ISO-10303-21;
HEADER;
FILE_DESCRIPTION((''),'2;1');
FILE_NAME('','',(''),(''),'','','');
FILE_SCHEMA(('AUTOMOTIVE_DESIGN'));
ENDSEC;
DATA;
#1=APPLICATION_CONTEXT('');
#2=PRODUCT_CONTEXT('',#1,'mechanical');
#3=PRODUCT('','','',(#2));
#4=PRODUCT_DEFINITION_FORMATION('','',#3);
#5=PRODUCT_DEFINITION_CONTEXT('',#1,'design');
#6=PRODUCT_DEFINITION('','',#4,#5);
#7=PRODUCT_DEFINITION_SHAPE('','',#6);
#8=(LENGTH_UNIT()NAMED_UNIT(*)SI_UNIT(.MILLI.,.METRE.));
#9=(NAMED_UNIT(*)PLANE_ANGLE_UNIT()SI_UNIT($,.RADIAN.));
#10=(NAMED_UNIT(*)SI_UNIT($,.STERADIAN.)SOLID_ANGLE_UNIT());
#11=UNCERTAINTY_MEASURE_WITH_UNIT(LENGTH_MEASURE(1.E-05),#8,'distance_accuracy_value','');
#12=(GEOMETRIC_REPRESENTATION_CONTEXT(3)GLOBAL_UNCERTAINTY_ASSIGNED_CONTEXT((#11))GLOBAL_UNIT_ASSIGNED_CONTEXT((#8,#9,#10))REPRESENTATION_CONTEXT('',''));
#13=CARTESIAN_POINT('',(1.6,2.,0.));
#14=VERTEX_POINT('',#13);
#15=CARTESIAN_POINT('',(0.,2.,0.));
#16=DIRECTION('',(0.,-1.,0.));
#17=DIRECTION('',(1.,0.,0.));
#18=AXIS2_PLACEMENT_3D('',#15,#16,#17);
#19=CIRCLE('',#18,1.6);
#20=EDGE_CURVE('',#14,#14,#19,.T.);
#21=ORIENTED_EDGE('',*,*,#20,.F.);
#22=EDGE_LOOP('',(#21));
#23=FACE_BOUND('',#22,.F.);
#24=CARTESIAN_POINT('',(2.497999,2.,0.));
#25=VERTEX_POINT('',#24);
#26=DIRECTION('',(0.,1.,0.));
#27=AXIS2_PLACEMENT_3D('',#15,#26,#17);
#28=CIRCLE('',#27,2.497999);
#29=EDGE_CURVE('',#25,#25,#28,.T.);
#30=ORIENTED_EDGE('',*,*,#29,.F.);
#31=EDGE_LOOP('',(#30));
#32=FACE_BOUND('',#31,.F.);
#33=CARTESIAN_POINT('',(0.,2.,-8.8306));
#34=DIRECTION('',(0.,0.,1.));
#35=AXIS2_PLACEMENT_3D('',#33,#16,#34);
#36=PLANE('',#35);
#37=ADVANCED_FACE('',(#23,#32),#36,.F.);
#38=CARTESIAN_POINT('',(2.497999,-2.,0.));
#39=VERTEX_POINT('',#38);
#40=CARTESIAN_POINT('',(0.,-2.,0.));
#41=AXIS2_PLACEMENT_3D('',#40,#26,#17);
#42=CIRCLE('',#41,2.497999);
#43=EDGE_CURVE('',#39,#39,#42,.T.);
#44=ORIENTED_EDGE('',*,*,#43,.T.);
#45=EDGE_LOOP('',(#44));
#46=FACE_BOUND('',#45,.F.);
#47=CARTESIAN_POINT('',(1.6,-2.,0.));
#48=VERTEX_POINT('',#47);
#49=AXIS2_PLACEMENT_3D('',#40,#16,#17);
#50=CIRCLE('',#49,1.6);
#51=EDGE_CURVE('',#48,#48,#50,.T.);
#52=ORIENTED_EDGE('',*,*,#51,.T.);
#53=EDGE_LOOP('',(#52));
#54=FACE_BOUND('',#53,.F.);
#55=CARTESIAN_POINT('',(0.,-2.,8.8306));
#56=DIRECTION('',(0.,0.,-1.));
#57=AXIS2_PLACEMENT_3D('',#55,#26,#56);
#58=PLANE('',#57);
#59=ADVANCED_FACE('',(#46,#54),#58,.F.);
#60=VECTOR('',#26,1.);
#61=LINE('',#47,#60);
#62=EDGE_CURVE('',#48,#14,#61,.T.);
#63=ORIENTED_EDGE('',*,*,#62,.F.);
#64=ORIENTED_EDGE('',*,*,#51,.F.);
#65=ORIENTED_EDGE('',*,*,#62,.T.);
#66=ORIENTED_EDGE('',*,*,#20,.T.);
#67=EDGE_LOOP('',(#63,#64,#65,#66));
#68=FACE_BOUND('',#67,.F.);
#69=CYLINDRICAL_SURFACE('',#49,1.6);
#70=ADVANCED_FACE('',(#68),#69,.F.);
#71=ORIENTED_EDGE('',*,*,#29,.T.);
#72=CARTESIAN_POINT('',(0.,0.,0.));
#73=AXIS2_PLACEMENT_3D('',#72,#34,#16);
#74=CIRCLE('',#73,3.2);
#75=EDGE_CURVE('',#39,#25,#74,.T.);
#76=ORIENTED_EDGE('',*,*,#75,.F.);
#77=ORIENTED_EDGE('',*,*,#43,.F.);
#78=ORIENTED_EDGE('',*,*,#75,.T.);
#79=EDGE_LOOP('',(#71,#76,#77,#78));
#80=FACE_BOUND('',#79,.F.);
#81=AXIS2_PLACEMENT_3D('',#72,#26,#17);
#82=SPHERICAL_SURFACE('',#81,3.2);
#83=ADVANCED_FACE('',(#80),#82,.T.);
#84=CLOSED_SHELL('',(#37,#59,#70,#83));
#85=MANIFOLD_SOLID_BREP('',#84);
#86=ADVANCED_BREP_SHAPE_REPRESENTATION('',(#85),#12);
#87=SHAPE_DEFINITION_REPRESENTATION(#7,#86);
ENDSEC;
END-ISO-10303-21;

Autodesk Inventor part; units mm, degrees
ref_plane "YZ Plane" through (0, 0, 0) normal (1, 0, 0) x (0, 1, 0)
ref_plane "XZ Plane" through (0, 0, 0) normal (0, 1, 0) x (-1, 0, 0)
ref_plane "XY Plane" through (0, 0, 0) normal (0, 0, 1) x (1, 0, 0)
sketch "Sketch1" plane through (0, 0, 0) normal (0, 0, 1) x (1, 0, 0)
  arc A0 (0, -3.2) -> (0, 3.2) centre (0, 0) ccw
  line L0 (0, 3.2) -> (0, -3.2)
  dimension "d0" = 6.4
revolve "Revolution1" add sketch "Sketch1" angle 360 about axis through (0, 3.2, 0) along (0, -1, 0)
sketch "Sketch2" plane through (0, 0, 0) normal (1, 0, 0) x (0, 1, 0)
  line L0 (2, 8.8306) -> (-2, 8.8306)
  line L1 (-2, 8.8306) -> (-2, -8.8306)
  line L2 (-2, -8.8306) -> (2, -8.8306)
  line L3 (2, -8.8306) -> (2, 8.8306)
  line L4 (2, 8.8306) -> (-2, -8.8306) construction
  line L5 (-2, 8.8306) -> (2, -8.8306) construction
  line L6 (6.1175, 19.2226) -> (-9.7521, 19.2226)
  line L7 (-9.7521, 19.2226) -> (-9.7521, -16.6118)
  line L8 (-9.7521, -16.6118) -> (6.1175, -16.6118)
  line L9 (6.1175, -16.6118) -> (6.1175, 19.2226)
  point P0 (0, 0)
  dimension "d2" = 4
extrude "Extrusion1" cut sketch "Sketch2" along normal through all both and the other way through all
sketch "Sketch3" plane through (0, -2, 0) normal (0, -1, 0) x (1, 0, 0)
  circle A0 centre (0, 0) radius 2.498 projected
  circle A1 centre (0, 0) radius 1.6
  dimension "d5" = 3.2
extrude "Extrusion2" cut sketch "Sketch3" against normal through all contours A1
properties part number "500-109" material "Aluminum 6061"
